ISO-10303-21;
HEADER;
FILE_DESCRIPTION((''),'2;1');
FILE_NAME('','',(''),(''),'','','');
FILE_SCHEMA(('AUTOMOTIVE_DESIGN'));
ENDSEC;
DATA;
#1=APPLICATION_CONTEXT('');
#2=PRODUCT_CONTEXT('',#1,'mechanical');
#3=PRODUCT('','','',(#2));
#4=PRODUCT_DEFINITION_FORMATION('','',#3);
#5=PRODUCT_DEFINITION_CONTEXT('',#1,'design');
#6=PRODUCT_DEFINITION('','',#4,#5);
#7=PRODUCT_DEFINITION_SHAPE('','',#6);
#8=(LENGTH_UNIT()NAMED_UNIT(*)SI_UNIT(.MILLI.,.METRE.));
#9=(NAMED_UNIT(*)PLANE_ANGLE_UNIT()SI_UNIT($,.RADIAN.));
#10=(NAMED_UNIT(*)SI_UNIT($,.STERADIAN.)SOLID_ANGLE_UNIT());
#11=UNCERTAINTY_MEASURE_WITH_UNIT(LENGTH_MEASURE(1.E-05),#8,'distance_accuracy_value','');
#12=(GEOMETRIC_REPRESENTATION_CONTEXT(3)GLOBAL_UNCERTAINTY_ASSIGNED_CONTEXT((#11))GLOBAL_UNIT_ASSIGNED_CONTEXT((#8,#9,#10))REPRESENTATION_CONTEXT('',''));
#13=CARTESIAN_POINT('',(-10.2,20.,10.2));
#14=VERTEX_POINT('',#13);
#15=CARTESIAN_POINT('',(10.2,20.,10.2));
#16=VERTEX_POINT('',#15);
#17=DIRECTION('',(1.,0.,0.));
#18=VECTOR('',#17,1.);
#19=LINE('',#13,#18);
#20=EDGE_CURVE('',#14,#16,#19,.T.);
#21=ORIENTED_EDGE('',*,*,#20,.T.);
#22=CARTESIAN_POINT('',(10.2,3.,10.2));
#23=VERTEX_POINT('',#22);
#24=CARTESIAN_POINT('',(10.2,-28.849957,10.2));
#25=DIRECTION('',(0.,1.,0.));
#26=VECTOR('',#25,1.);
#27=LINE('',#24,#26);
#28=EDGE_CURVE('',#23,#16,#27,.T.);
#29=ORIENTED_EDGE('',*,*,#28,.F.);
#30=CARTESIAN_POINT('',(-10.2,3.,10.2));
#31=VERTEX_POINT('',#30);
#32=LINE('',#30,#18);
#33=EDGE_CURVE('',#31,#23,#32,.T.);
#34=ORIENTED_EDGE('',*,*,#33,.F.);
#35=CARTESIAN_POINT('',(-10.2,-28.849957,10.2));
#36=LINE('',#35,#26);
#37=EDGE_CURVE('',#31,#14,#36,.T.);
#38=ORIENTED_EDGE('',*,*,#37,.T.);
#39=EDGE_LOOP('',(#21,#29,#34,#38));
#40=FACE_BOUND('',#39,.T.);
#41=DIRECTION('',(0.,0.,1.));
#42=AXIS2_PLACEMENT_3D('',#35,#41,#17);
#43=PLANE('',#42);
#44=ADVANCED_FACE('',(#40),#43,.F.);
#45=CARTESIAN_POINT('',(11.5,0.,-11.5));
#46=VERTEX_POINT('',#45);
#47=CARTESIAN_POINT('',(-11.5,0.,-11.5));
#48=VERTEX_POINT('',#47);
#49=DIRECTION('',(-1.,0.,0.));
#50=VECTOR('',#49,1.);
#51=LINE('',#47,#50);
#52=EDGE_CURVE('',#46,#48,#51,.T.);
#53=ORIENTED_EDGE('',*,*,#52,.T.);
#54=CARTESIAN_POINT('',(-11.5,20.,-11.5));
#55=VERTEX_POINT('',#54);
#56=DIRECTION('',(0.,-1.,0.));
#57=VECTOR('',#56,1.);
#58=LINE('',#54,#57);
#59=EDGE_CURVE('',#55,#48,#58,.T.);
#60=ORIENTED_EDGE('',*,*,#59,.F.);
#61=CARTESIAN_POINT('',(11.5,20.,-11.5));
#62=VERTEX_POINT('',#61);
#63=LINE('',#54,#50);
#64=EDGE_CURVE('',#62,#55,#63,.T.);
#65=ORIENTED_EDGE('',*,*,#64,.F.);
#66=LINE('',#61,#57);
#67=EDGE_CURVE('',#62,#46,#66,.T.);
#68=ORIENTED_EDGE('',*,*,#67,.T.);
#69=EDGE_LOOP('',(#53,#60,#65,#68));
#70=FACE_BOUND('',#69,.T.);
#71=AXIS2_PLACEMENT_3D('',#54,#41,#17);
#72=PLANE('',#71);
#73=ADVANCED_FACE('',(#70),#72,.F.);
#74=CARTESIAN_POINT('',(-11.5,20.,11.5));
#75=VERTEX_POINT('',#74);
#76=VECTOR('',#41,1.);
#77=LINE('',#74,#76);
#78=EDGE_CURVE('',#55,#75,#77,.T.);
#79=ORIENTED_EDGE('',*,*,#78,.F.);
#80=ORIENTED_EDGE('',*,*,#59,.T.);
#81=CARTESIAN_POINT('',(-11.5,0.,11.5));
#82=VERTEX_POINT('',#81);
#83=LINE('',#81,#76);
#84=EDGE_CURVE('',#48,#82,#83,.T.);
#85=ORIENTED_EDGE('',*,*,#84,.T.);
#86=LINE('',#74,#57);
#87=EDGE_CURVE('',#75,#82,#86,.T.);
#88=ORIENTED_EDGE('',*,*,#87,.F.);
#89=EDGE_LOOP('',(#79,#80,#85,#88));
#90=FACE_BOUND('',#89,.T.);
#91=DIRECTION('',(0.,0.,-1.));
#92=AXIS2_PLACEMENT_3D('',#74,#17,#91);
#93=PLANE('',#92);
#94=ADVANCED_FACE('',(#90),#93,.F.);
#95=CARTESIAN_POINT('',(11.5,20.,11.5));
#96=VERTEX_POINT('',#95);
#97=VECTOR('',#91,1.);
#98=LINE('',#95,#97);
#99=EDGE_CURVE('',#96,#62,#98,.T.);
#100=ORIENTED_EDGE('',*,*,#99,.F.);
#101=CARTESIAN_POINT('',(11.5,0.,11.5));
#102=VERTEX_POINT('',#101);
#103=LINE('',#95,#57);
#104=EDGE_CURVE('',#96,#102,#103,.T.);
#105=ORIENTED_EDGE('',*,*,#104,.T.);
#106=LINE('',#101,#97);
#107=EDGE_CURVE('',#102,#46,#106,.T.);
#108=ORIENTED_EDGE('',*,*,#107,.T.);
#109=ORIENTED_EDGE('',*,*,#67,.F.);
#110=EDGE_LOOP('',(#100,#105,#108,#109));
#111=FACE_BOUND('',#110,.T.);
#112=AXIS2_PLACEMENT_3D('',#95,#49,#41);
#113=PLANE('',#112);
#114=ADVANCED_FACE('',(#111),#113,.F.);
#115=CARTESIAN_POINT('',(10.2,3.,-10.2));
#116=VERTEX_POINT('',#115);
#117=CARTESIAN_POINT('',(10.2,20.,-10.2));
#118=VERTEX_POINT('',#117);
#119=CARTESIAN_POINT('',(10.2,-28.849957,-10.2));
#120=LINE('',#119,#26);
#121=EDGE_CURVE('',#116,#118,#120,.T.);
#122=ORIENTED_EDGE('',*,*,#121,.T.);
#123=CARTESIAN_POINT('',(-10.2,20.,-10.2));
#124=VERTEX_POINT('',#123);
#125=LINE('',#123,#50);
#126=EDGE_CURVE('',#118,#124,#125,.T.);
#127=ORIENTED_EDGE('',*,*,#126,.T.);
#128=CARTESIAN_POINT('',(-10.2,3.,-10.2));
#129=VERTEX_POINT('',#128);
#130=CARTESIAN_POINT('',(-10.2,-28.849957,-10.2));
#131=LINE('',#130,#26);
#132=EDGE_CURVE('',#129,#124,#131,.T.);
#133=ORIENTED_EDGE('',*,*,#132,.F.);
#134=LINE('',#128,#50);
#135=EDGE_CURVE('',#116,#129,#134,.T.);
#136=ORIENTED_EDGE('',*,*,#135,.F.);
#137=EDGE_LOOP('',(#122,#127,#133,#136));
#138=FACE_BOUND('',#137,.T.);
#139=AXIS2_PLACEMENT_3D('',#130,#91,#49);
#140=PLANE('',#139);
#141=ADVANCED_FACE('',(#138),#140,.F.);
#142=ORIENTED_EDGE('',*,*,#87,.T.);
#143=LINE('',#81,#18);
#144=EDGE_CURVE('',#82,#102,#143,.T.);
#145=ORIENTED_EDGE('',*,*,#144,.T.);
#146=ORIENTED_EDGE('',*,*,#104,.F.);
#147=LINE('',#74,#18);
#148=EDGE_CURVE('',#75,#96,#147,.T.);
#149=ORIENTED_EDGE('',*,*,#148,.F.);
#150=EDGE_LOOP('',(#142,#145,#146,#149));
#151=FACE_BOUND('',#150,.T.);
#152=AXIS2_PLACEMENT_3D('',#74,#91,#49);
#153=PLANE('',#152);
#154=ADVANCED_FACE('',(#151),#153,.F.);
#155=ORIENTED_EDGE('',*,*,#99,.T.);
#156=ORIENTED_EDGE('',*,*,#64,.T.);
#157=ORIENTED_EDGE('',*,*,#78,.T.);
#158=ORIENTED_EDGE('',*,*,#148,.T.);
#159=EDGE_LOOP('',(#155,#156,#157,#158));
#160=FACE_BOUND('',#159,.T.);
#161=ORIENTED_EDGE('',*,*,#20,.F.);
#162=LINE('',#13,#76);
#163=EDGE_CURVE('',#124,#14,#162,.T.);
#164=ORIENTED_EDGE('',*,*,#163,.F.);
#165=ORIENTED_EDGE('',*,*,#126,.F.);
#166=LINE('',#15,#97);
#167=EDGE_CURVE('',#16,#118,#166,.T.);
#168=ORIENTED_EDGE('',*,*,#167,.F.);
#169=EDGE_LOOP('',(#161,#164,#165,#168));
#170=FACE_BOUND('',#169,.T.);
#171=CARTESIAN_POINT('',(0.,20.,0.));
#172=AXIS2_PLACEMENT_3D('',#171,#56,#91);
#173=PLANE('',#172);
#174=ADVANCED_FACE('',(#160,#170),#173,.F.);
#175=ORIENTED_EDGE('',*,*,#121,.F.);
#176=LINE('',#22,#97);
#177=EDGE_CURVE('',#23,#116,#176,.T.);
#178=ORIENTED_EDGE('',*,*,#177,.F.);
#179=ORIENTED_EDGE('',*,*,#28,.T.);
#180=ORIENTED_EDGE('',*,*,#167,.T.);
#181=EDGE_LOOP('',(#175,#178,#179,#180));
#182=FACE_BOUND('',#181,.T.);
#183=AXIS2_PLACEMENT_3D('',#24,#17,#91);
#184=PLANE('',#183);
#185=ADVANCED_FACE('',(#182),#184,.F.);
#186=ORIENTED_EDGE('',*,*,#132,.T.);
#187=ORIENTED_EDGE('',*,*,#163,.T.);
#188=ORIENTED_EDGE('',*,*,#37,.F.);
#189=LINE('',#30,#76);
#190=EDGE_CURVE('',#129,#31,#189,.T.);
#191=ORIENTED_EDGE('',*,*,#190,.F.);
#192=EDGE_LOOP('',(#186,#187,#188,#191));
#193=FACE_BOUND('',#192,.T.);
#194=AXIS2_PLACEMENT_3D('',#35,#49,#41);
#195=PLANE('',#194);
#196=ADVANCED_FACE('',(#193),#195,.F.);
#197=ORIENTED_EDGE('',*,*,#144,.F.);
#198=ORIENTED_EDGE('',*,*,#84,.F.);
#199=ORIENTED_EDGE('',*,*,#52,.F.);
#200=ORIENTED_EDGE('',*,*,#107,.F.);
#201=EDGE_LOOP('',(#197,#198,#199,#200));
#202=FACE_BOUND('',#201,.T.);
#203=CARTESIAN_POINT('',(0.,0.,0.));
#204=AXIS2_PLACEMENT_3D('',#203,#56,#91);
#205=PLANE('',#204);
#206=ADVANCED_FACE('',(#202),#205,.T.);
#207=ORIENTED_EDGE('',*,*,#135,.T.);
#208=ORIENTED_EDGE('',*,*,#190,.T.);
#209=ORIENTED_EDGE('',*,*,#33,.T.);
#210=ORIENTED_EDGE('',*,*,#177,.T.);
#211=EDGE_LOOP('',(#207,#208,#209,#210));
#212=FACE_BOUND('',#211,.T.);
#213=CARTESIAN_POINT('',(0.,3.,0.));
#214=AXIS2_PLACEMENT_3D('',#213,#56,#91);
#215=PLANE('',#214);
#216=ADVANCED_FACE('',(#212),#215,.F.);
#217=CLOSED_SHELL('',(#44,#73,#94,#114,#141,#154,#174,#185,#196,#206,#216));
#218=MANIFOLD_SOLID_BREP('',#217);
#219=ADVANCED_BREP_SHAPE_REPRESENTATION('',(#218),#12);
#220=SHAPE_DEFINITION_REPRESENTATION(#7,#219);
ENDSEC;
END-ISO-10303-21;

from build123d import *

# Parameters (mm, degrees)
SKETCH2_W           = 23
SKETCH2_H           = 23
BOSS_EXTRUDE1_DEPTH = 20
SKETCH3_W           = 20.4
SKETCH3_H           = 20.4
CUT_EXTRUDE1_DEPTH  = 17


with BuildPart() as part:
    # Sketch2 → Boss-Extrude1 (new body)
    with BuildSketch(Plane(origin=(0, 0, 0), x_dir=(1, 0, 0), z_dir=(0, 1, 0))):
        Rectangle(SKETCH2_W, SKETCH2_H)
    extrude(amount=BOSS_EXTRUDE1_DEPTH)

    # Sketch3 → Cut-Extrude1 (cut)
    with BuildSketch(Plane(origin=(0, 20, 0), x_dir=(1, 0, 0), z_dir=(0, 1, 0))):
        Rectangle(SKETCH3_W, SKETCH3_H)
    extrude(amount=-CUT_EXTRUDE1_DEPTH, mode=Mode.SUBTRACT)


solid = part.part
